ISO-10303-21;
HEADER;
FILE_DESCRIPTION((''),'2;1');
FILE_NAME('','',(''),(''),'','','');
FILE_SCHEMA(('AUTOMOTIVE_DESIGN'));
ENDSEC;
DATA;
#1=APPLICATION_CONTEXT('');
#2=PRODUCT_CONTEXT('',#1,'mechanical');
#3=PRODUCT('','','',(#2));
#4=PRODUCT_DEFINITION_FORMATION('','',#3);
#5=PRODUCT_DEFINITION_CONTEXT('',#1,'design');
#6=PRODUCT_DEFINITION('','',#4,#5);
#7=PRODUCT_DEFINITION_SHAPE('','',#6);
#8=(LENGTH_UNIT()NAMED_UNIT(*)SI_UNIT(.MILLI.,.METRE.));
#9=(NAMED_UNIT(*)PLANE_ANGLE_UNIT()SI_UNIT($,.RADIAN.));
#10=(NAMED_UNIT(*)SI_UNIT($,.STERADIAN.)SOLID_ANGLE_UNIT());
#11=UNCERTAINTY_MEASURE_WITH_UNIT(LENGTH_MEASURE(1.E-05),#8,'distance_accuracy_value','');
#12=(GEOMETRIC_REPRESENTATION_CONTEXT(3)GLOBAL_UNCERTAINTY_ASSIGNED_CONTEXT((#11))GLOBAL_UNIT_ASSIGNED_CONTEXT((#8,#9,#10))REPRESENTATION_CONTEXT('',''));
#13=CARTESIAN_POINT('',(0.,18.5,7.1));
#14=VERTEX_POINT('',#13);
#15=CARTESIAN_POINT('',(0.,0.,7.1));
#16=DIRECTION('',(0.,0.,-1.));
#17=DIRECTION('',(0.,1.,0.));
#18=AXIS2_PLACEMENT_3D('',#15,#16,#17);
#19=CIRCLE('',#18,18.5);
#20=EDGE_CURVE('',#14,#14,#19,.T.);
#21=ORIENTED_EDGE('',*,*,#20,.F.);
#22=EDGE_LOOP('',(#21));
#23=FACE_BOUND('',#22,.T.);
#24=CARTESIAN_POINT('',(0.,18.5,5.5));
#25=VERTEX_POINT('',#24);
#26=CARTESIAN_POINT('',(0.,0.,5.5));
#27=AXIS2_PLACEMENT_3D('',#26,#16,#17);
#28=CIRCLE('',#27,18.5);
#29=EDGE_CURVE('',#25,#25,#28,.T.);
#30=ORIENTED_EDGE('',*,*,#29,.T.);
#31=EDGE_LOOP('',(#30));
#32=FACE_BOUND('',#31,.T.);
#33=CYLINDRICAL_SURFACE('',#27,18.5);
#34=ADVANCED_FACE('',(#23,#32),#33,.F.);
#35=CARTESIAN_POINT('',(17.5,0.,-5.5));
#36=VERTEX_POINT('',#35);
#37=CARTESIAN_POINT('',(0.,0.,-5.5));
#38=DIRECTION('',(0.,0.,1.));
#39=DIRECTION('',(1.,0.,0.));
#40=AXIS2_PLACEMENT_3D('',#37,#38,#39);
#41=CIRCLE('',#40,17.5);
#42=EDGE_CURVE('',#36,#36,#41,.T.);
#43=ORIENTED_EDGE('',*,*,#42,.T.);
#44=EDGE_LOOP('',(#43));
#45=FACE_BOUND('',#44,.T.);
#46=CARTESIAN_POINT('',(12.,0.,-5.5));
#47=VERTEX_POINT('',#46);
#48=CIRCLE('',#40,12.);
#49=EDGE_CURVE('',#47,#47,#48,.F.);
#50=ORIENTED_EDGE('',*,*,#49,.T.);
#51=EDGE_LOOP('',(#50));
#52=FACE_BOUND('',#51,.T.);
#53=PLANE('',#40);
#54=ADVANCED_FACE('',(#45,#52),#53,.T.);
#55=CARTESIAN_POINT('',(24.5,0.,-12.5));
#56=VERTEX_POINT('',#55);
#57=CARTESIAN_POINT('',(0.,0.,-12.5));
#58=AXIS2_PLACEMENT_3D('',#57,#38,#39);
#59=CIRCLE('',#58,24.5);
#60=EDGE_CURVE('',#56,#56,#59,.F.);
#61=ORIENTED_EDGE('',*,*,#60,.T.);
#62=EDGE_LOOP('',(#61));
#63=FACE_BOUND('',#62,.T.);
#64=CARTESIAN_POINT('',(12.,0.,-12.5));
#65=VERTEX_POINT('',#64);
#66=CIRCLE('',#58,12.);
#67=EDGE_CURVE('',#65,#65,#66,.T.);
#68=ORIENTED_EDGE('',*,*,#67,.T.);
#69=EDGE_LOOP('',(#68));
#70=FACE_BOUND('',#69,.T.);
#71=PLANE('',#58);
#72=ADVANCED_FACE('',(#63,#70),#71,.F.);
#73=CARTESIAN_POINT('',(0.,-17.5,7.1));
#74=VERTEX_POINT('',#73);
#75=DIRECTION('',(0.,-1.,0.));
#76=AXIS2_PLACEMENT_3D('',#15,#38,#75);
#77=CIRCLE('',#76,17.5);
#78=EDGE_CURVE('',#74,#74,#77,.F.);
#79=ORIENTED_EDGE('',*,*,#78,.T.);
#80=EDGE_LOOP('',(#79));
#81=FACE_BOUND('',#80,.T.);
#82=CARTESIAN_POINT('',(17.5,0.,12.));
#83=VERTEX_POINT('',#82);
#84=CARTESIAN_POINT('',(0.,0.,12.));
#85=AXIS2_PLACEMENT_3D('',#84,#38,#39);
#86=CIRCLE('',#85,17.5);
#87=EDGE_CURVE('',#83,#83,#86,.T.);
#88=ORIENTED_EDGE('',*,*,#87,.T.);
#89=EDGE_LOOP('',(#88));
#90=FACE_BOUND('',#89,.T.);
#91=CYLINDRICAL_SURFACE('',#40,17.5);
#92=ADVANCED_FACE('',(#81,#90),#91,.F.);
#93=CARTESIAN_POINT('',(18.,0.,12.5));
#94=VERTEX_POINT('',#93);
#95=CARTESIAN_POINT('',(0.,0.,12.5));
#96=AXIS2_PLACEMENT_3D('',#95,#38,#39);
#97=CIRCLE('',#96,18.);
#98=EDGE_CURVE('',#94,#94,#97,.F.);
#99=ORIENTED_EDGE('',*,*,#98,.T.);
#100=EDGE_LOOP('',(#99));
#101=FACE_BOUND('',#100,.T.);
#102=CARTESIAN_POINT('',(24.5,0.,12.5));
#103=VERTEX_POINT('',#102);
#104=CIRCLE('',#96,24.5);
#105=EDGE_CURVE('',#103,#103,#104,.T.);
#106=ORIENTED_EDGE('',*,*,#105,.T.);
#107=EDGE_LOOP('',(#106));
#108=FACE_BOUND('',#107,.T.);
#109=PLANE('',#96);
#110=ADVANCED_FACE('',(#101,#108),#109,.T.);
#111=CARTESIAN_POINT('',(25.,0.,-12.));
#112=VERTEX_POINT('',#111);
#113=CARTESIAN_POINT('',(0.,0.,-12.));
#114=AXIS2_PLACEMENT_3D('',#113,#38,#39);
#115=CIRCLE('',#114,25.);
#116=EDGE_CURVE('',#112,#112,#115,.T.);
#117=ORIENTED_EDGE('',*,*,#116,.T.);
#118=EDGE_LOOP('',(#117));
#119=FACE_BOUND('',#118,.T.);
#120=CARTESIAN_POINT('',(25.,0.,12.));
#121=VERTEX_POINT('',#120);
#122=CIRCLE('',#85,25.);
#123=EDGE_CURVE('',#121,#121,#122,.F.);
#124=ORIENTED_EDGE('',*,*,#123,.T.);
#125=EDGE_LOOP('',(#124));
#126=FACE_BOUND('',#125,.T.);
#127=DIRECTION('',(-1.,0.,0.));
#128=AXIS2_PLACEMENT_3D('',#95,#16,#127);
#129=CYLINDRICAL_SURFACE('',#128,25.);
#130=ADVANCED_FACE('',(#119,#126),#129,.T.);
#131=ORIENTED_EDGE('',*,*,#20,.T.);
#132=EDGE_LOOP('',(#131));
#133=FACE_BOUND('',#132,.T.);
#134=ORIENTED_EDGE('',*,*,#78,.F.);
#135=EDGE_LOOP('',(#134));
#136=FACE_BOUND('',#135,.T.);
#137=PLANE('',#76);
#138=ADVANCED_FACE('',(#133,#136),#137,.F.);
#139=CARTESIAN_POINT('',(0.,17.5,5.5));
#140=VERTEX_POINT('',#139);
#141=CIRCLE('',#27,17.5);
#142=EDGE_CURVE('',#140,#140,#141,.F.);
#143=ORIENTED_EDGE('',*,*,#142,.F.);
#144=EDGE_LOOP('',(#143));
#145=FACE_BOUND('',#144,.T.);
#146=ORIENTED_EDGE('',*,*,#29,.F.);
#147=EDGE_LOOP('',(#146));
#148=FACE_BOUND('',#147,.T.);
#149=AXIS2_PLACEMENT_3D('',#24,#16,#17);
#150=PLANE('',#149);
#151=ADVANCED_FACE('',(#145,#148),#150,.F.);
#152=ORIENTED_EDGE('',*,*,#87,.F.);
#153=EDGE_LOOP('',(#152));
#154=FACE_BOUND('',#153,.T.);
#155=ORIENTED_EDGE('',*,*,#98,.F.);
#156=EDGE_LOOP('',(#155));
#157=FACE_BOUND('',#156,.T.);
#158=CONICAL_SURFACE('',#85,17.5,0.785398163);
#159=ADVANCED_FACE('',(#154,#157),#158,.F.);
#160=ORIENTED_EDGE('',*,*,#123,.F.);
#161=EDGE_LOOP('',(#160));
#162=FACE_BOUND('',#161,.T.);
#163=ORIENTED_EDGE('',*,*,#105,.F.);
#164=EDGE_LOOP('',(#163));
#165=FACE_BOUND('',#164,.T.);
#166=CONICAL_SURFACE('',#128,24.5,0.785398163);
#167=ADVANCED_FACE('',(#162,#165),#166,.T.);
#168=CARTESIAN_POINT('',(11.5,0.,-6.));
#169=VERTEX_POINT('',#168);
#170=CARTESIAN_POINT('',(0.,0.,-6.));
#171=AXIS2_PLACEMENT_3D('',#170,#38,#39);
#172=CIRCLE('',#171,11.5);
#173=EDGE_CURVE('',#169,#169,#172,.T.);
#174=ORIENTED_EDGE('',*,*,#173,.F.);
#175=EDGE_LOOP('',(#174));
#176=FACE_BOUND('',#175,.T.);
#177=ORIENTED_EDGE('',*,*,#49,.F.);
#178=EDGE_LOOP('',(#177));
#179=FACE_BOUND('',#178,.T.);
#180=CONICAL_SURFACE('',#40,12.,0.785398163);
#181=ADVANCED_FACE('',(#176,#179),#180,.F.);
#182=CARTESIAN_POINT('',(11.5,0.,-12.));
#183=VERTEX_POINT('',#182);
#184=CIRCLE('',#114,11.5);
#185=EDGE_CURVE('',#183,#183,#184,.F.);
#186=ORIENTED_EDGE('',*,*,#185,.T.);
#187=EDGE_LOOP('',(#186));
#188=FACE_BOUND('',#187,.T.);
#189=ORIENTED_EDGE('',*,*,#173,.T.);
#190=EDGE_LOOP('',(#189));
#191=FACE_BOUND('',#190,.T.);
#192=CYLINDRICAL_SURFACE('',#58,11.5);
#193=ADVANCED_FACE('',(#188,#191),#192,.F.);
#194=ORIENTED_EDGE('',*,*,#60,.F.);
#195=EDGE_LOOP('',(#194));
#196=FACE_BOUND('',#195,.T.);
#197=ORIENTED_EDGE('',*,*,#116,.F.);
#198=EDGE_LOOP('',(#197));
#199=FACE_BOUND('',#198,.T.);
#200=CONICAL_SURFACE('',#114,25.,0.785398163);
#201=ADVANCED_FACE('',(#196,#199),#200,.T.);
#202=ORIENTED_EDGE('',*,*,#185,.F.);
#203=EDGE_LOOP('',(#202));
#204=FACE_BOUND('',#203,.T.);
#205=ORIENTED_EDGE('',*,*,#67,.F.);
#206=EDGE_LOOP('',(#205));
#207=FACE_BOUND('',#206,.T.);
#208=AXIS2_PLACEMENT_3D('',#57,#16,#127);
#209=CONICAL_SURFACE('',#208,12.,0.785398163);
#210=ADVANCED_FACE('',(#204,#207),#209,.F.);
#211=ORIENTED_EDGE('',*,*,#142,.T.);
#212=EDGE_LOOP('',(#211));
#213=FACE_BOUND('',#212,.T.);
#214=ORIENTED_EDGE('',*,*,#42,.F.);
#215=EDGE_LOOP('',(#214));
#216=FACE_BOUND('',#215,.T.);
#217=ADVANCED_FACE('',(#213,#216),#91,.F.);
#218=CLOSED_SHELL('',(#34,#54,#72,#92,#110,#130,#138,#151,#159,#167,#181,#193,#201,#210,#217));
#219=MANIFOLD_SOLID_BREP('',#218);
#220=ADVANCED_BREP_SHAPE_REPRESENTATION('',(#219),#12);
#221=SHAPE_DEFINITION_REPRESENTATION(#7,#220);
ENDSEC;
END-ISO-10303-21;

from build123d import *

# Parameters (mm, degrees)
ESBO_O1_R                = 25
RESSALTO_EXTRUS_O1_DEPTH = 12.5
ESBO_O3_R                = 11.5
CORTE_EXTRUS_O1_DEPTH    = 25
ESBO_O4_R                = 17.5
CORTE_EXTRUS_O2_DEPTH    = 18
CHANFRO1_SIZE            = 0.5
ESBO_O5_W                = 1.6
ESBO_O5_H                = 18.5


with BuildPart() as part:
    # Esboço1 → Ressalto-extrusão1 (new, symmetric)
    with BuildSketch(Plane.XY):
        Circle(ESBO_O1_R)
    extrude(amount=RESSALTO_EXTRUS_O1_DEPTH, both=True)

    # Esboço3 → Corte-extrusão1 (cut)
    with BuildSketch(Plane.XY.offset(12.5)):
        Circle(ESBO_O3_R)
    extrude(amount=-CORTE_EXTRUS_O1_DEPTH, mode=Mode.SUBTRACT)

    # Esboço4 → Corte-extrusão2 (cut)
    with BuildSketch(Plane.XY.offset(12.5)):
        Circle(ESBO_O4_R)
    extrude(amount=-CORTE_EXTRUS_O2_DEPTH, mode=Mode.SUBTRACT)

    # Chanfro1
    chanfro1_edges = [part.edges().sort_by_distance(p)[0] for p in [
        (-17.5, 0, 12.5),
        (-11.5, 0, -5.5),
        (-25, 0, -12.5),
        (-25, 0, 12.5),
        (-11.5, 0, -12.5),
    ]]
    chamfer(chanfro1_edges, length=CHANFRO1_SIZE)

    # Esboço5 → Corte-Revolução2 (revolve, cut)
    with BuildSketch(Plane(origin=(0, 0, 0), x_dir=(0, 0, -1), z_dir=(1, 0, 0)), mode=Mode.PRIVATE) as corte_revolu_o2_sk:
        with Locations((-6.3, 9.25)):
            Rectangle(ESBO_O5_W, ESBO_O5_H)
    revolve(corte_revolu_o2_sk.sketch.rotate(Axis((0, 0, 5.5), (0, 0, 1)), 270), axis=Axis((0, 0, 5.5), (0, 0, 1)), mode=Mode.SUBTRACT)


solid = part.part
